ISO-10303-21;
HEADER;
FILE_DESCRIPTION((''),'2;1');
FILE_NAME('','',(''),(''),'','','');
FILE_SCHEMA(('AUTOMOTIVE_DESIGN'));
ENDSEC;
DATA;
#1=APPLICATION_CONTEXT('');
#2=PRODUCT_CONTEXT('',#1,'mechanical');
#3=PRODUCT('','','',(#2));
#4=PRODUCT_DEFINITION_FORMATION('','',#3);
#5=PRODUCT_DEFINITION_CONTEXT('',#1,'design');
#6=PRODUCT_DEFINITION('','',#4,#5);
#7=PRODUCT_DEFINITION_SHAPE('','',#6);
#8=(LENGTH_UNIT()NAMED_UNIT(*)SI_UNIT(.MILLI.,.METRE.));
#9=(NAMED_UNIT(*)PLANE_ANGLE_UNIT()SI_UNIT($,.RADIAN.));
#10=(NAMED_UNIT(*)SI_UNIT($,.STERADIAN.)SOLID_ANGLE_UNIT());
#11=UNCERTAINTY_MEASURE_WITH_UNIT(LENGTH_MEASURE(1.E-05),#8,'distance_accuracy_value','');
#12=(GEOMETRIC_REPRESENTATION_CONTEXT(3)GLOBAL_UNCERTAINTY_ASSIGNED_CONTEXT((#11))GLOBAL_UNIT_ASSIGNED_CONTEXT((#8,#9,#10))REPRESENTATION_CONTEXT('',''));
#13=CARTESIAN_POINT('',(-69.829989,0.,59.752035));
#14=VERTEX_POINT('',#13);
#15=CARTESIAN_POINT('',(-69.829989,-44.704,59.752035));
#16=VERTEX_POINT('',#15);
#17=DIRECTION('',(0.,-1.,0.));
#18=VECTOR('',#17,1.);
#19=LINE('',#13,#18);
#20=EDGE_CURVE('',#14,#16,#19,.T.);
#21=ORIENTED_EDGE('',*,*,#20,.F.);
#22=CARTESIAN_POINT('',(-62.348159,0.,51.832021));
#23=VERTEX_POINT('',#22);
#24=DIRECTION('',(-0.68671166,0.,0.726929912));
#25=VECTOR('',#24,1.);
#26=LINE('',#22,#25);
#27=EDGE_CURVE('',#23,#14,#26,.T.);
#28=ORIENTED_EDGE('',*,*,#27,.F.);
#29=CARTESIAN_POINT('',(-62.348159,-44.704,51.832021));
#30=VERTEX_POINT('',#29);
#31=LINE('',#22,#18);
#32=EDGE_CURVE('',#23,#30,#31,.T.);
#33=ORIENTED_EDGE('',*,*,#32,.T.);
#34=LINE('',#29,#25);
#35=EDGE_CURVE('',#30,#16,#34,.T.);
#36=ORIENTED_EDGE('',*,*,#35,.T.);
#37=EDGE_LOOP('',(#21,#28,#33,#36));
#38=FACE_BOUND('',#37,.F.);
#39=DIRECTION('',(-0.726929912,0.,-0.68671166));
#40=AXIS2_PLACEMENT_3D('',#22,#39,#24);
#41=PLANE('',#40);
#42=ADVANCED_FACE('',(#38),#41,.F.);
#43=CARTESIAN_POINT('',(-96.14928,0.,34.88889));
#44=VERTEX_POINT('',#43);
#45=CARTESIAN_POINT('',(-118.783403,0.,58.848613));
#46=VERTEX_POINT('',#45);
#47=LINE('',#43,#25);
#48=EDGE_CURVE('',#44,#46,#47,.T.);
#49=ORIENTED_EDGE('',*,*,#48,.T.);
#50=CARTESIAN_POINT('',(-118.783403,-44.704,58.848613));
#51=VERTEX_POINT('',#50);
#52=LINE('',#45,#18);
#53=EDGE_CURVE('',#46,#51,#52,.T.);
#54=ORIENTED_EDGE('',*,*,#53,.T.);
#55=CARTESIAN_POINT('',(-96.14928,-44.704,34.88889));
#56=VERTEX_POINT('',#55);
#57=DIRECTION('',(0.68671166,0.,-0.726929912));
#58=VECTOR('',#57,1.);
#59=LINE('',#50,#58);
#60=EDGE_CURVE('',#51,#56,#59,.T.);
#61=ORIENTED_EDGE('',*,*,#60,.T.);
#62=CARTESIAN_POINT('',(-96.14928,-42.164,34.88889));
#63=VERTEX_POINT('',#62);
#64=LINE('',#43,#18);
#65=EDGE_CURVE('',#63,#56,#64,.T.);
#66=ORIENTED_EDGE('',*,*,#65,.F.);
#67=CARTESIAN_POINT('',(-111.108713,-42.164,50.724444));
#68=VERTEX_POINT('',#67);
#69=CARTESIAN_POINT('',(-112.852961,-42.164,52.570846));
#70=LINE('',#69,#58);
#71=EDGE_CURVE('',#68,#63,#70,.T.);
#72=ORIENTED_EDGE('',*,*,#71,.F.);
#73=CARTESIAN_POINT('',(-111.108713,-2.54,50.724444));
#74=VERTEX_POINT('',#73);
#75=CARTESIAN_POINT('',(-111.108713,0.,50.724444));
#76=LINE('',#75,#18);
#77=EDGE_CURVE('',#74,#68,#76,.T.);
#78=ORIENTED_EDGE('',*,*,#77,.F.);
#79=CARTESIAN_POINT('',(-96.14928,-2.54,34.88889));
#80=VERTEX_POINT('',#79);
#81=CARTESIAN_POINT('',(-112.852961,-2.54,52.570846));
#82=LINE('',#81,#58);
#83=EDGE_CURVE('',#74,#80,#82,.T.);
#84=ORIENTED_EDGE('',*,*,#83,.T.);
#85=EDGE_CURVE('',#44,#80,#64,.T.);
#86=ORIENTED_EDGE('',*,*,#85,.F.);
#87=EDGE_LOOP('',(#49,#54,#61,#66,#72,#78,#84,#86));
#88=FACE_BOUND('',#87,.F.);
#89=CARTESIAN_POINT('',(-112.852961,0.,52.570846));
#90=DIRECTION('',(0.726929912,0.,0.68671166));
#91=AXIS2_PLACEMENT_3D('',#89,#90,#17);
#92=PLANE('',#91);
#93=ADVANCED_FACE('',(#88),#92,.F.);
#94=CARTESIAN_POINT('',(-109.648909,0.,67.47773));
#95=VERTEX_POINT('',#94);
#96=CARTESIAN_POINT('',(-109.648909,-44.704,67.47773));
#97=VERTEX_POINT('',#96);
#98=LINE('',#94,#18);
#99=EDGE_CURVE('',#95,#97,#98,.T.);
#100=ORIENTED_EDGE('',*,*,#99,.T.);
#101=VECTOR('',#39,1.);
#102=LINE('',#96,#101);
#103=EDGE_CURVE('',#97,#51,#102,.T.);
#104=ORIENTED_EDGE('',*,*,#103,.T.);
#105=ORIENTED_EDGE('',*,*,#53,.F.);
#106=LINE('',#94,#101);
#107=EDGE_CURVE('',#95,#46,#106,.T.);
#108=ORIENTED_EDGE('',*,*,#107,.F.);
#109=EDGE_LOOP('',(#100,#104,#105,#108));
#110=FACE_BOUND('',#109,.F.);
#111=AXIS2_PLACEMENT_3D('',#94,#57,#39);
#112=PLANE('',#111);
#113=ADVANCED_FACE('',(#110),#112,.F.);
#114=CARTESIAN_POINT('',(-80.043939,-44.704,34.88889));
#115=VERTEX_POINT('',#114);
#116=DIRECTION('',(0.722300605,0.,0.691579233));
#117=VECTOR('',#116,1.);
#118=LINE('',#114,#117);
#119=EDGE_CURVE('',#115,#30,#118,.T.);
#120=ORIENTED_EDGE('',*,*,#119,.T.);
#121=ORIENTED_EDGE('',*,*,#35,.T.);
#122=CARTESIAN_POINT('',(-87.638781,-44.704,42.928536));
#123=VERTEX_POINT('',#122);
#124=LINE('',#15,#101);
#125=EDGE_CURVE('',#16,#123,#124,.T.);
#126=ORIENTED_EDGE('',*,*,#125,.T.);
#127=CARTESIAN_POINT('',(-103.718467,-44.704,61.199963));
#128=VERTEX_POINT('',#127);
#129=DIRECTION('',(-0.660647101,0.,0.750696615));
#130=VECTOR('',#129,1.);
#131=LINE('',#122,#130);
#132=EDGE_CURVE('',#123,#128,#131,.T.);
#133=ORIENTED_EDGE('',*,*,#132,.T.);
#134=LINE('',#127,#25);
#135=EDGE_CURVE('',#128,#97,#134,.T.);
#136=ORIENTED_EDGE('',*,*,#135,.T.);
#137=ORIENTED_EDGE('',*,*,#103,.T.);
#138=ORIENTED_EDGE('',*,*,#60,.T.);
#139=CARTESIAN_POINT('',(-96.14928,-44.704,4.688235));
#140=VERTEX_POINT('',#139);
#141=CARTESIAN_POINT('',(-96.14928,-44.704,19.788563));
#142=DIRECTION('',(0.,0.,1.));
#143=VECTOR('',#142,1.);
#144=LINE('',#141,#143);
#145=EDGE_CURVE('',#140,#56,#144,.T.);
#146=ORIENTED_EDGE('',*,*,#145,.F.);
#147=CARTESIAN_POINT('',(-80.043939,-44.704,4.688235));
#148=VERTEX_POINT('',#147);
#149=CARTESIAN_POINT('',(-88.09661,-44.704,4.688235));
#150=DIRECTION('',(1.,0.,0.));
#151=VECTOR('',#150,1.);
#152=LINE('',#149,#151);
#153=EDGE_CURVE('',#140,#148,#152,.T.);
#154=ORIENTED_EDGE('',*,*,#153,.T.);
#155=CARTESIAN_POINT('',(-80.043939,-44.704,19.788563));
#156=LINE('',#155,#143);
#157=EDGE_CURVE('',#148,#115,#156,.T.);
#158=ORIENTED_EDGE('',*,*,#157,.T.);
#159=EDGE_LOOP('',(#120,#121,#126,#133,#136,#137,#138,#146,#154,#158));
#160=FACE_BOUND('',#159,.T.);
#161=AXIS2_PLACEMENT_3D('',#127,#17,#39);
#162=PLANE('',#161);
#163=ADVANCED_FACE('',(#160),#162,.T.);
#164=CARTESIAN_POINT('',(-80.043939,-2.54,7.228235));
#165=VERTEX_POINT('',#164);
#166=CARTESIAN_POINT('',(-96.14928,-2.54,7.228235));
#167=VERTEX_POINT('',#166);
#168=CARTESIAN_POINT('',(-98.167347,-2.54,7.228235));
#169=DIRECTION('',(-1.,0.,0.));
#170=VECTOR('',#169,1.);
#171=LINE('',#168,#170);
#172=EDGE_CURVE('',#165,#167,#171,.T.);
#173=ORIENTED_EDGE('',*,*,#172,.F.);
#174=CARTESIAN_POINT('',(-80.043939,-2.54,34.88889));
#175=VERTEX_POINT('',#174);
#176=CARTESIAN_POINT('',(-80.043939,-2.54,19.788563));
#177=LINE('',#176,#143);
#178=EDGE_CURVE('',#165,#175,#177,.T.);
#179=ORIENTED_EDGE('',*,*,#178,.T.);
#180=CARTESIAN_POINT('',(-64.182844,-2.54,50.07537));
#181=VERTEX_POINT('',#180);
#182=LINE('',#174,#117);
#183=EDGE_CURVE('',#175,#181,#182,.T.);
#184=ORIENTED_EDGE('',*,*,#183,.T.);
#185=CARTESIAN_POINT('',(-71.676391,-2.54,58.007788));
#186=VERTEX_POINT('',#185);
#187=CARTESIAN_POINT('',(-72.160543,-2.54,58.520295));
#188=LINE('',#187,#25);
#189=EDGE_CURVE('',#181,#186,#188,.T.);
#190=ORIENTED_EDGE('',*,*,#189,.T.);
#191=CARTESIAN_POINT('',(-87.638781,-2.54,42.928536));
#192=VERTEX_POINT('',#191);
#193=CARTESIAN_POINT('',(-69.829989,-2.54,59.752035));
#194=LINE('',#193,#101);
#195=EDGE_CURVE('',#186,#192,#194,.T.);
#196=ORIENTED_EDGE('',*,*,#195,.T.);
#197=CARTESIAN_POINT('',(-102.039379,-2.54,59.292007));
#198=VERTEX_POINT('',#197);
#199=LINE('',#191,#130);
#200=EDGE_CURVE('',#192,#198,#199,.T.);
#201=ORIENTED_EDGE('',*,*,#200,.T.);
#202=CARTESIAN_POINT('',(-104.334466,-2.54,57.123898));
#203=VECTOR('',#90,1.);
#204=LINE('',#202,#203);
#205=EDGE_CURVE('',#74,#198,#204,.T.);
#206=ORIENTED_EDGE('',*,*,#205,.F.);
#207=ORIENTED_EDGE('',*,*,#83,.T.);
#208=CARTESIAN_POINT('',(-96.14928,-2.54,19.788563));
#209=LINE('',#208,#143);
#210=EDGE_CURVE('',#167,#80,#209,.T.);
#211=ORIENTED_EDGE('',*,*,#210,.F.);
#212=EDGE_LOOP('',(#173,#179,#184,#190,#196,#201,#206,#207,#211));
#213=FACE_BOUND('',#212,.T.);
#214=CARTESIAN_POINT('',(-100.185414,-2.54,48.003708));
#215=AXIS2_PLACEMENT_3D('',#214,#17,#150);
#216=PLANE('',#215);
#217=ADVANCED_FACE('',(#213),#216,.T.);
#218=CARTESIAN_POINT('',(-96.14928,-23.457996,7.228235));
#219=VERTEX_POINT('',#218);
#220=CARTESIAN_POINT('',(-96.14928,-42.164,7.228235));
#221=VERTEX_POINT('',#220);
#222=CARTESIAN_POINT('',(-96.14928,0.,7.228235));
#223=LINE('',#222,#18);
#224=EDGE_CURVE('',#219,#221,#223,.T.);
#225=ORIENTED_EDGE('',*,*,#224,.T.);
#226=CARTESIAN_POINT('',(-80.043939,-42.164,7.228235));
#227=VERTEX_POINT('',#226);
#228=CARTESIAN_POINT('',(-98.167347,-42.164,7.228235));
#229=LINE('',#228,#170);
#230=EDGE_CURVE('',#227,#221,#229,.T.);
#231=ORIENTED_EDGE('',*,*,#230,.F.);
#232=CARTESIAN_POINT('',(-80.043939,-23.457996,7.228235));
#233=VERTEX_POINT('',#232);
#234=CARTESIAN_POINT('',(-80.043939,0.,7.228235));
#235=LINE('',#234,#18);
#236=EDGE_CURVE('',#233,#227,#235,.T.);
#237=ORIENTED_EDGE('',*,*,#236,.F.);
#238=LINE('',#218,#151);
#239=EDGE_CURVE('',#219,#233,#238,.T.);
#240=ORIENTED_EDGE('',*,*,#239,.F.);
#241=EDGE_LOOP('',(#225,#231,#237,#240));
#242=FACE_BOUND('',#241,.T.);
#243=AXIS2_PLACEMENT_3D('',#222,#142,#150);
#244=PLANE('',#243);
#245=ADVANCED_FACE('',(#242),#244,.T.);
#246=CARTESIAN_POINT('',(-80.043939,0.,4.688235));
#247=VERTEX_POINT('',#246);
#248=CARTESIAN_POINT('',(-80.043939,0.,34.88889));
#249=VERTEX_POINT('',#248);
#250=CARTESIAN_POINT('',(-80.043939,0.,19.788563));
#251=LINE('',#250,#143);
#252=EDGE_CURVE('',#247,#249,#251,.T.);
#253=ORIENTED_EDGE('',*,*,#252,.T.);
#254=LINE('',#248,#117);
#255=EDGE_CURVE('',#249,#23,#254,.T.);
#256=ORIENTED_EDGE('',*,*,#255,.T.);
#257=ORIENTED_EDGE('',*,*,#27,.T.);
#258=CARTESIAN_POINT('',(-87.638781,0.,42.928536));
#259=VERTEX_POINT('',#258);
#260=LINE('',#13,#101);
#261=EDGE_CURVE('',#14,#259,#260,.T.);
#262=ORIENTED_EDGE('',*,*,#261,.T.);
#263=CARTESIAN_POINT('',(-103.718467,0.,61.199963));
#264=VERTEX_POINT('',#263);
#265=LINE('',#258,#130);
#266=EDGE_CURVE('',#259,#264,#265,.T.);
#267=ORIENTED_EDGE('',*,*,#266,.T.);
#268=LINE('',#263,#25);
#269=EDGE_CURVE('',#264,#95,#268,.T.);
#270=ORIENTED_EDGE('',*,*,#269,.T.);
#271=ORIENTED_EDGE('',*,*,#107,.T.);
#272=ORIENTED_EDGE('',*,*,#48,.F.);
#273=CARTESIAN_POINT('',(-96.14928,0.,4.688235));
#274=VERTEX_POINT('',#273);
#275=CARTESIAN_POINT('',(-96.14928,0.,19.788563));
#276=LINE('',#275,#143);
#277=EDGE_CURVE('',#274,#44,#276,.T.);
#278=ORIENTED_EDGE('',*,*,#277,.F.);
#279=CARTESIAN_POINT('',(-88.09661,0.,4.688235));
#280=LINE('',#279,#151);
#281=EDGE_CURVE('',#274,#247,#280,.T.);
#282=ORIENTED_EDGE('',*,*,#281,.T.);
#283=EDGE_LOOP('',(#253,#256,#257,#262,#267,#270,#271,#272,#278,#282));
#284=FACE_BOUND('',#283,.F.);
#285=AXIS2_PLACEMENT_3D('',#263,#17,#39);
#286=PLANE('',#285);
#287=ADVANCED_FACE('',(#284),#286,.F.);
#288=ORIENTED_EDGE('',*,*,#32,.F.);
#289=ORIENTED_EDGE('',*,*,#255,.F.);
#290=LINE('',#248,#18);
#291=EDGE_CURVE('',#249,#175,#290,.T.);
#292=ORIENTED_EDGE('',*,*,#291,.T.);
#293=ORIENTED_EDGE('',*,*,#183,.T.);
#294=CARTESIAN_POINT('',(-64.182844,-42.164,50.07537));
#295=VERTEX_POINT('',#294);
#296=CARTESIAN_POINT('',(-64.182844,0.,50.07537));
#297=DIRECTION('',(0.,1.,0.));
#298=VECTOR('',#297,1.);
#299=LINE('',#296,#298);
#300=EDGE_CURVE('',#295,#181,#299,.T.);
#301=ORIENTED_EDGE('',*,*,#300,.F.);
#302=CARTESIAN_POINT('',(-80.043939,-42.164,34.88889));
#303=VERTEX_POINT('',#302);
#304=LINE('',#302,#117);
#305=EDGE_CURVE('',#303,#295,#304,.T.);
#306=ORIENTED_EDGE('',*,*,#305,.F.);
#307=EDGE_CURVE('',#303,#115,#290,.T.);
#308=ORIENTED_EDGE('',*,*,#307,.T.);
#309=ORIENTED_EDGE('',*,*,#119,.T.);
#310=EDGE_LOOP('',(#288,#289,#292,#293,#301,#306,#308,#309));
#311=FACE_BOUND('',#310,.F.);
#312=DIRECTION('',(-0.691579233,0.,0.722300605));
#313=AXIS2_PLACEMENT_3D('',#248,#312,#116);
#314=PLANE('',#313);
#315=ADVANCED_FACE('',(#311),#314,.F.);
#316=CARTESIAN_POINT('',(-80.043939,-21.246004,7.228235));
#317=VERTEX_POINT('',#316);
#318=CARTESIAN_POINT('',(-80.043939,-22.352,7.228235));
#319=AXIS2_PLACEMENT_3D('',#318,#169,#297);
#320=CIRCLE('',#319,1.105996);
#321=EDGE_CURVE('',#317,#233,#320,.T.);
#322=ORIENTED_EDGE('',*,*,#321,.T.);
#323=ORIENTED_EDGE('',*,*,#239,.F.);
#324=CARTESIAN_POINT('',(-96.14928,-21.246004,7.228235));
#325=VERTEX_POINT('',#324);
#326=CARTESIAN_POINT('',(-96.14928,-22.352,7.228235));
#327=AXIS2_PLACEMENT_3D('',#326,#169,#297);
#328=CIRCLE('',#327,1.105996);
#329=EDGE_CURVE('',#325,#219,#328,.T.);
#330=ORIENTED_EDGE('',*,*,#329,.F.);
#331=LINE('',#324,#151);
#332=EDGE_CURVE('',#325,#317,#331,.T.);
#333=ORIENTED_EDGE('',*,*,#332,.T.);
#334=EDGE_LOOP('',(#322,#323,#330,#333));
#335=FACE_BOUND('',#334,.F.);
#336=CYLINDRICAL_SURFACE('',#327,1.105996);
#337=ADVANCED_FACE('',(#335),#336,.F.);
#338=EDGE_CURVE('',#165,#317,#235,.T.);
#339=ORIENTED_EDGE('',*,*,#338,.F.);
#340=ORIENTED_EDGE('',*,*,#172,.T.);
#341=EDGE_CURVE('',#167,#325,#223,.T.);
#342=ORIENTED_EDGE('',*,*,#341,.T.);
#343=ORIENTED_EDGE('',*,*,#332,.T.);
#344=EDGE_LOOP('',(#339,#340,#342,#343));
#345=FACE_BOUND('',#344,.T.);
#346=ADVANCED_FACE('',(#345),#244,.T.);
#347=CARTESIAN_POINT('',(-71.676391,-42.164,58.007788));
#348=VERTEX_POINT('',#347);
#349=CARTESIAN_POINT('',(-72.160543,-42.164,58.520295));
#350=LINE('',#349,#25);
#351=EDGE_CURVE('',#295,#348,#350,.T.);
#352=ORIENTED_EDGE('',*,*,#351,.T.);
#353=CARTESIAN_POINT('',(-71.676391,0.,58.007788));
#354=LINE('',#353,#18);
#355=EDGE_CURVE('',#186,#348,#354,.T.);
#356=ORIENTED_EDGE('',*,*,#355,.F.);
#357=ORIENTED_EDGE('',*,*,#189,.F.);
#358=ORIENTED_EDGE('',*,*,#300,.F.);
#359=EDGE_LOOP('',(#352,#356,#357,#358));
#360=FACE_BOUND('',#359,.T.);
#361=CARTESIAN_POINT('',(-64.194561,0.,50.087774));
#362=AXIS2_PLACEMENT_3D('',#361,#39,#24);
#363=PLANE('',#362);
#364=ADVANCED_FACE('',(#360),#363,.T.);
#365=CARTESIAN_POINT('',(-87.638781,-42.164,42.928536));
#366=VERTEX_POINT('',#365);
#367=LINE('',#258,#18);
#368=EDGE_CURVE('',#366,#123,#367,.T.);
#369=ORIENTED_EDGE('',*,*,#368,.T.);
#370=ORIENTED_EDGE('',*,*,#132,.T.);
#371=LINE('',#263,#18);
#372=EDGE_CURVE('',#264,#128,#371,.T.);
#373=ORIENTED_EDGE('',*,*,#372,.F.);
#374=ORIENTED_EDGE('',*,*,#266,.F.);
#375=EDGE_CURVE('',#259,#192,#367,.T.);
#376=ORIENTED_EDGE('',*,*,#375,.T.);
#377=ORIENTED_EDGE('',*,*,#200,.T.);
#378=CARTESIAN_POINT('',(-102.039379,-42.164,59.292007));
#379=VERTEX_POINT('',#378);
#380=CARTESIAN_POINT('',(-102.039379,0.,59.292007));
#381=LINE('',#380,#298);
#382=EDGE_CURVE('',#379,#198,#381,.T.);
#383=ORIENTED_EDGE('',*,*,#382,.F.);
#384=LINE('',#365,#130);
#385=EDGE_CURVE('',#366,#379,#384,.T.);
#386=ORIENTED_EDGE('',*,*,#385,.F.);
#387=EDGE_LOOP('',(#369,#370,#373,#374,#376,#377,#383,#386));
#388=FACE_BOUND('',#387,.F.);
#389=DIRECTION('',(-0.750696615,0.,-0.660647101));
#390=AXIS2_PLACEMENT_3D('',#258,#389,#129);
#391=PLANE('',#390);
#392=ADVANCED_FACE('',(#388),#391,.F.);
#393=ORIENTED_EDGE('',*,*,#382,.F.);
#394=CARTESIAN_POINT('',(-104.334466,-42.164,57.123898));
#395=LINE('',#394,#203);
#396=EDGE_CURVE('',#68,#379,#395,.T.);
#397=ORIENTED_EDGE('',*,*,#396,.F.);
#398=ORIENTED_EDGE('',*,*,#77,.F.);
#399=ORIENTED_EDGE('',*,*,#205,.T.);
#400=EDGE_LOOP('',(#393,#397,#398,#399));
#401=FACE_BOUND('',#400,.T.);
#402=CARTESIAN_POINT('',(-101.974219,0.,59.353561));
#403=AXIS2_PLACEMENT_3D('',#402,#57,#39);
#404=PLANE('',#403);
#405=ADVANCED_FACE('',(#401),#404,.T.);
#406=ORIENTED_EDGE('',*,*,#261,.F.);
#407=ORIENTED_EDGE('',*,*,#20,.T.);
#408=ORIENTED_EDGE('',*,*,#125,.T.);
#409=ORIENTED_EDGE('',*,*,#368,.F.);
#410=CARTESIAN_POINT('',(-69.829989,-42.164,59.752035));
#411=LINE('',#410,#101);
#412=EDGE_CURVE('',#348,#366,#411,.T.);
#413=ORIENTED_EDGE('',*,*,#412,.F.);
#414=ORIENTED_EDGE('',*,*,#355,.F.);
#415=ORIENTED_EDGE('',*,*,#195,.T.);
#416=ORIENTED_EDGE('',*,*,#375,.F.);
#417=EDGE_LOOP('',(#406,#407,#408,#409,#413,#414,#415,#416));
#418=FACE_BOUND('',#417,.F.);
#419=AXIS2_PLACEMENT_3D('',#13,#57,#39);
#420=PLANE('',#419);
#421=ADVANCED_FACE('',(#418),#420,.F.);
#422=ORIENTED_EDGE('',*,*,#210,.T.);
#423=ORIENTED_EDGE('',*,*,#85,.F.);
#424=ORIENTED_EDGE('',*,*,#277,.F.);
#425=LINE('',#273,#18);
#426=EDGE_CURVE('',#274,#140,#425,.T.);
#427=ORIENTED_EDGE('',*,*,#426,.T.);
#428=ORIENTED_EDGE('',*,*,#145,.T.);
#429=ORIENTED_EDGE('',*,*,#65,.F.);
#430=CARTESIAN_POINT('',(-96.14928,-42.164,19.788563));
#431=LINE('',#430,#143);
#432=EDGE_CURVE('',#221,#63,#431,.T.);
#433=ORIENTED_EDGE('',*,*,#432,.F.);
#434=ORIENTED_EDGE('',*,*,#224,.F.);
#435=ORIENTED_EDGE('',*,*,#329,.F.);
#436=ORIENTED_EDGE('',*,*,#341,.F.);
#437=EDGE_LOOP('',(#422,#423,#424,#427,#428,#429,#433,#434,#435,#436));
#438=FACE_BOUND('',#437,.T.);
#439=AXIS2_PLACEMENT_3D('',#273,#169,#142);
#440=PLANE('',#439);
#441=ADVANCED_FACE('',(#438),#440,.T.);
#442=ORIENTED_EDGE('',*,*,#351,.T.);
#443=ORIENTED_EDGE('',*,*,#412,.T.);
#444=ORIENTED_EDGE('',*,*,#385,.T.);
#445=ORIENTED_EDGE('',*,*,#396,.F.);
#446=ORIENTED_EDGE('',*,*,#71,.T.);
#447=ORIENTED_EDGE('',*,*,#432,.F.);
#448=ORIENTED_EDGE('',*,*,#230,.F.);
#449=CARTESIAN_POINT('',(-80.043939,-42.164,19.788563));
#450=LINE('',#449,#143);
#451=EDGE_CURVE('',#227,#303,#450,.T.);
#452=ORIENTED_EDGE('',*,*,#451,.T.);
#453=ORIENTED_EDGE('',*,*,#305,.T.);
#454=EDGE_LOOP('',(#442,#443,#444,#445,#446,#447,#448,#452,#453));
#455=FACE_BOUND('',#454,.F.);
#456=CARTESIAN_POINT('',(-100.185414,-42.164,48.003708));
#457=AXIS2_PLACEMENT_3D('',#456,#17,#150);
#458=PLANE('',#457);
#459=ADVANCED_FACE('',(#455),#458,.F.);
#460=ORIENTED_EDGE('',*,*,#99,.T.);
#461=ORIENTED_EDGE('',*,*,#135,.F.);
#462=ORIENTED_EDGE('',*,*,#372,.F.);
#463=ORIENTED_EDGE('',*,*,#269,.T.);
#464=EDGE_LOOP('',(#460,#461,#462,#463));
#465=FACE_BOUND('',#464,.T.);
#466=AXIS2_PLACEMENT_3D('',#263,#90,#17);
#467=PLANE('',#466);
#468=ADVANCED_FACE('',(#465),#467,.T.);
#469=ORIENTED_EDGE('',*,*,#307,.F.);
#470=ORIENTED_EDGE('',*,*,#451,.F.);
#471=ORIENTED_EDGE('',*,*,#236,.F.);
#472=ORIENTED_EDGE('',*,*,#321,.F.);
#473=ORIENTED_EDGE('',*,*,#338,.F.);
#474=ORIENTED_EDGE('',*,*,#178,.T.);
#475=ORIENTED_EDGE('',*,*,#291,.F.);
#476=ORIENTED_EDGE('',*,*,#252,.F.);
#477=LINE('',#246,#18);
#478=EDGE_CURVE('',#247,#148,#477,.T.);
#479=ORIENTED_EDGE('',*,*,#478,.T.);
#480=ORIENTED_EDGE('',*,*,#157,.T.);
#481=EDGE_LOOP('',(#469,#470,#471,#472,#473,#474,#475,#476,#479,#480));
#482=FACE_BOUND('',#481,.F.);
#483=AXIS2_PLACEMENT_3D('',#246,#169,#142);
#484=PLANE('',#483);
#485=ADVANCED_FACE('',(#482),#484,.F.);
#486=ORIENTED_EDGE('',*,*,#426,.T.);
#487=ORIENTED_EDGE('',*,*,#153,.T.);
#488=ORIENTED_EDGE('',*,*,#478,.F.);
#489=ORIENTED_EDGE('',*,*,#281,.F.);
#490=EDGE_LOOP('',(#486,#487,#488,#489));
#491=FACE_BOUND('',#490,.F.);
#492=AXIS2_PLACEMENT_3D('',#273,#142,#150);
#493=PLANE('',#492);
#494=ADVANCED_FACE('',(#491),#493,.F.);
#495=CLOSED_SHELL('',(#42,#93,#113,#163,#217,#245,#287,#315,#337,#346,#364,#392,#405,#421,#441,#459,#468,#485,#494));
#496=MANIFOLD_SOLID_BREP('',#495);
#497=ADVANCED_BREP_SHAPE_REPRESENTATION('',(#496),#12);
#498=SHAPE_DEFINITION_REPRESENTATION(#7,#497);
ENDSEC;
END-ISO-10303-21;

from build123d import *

# Parameters (mm, degrees)
F0_W     = 16.1053412664
F0_H     = 30.2006552678
F1_DEPTH = 44.704
F2_T     = -2.54
F3_DEPTH = 8.636
F5_DEPTH = 25.4


with BuildPart() as f1:
    # F0 (on Front) → F1 (new body)
    with BuildSketch(Plane.XZ):
        Polygon((-87.6387814232, 42.9285356432), (-103.7184670568, 61.1999630928), (-112.852960825, 52.5708459318), (-96.1492801466, 34.8888902675), align=None)
        Polygon((-80.0439388802, 34.8888902675), (-87.6387814232, 42.9285356432), (-96.1492801466, 34.8888902675), align=None)
        Polygon((-69.8299892996, 59.7520354048), (-87.6387814232, 42.9285356432), (-80.0439388802, 34.8888902675), (-62.3481592001, 51.8320212083), align=None)
        with Locations((-88.0966095134, 19.7885626337)):
            Rectangle(F0_W, F0_H)
    extrude(amount=F1_DEPTH)

    # F2
    f2_openings = [f1.faces().sort_by_distance(p)[0] for p in [
        (-104.50112, -22.352, 43.729868),
        (-96.14928, -22.352, 19.788563),
        (-80.043939, -22.352, 19.788563),
        (-71.196049, -22.352, 43.360456),
        (-95.678624, -22.352, 52.064249),
        (-78.734385, -22.352, 51.340286),
    ]]
    offset(amount=F2_T, openings=f2_openings)

    # F3 (add): a face of the model
    f3_faces = [f1.faces().sort_by_distance(p)[0] for p in [
        (-108.2857139409, -22.352, 56.8854045123),
    ]]
    extrude(f3_faces, amount=F3_DEPTH)

    # F4 (on face) → F5 (cut)
    with BuildSketch(Plane(origin=(-96.1492801466, 0, 0), x_dir=(0, -1, 0), z_dir=(-1, 0, 0))):
        with BuildLine():
            ThreePointArc((21.2460036068, 7.2282349998), (22.352, 6.1222386066), (23.4579963932, 7.2282349998))
            Line((23.4579963932, 7.2282349998), (21.2460036068, 7.2282349998))
        make_face()
    extrude(amount=-F5_DEPTH, mode=Mode.SUBTRACT)


solid = f1.part
